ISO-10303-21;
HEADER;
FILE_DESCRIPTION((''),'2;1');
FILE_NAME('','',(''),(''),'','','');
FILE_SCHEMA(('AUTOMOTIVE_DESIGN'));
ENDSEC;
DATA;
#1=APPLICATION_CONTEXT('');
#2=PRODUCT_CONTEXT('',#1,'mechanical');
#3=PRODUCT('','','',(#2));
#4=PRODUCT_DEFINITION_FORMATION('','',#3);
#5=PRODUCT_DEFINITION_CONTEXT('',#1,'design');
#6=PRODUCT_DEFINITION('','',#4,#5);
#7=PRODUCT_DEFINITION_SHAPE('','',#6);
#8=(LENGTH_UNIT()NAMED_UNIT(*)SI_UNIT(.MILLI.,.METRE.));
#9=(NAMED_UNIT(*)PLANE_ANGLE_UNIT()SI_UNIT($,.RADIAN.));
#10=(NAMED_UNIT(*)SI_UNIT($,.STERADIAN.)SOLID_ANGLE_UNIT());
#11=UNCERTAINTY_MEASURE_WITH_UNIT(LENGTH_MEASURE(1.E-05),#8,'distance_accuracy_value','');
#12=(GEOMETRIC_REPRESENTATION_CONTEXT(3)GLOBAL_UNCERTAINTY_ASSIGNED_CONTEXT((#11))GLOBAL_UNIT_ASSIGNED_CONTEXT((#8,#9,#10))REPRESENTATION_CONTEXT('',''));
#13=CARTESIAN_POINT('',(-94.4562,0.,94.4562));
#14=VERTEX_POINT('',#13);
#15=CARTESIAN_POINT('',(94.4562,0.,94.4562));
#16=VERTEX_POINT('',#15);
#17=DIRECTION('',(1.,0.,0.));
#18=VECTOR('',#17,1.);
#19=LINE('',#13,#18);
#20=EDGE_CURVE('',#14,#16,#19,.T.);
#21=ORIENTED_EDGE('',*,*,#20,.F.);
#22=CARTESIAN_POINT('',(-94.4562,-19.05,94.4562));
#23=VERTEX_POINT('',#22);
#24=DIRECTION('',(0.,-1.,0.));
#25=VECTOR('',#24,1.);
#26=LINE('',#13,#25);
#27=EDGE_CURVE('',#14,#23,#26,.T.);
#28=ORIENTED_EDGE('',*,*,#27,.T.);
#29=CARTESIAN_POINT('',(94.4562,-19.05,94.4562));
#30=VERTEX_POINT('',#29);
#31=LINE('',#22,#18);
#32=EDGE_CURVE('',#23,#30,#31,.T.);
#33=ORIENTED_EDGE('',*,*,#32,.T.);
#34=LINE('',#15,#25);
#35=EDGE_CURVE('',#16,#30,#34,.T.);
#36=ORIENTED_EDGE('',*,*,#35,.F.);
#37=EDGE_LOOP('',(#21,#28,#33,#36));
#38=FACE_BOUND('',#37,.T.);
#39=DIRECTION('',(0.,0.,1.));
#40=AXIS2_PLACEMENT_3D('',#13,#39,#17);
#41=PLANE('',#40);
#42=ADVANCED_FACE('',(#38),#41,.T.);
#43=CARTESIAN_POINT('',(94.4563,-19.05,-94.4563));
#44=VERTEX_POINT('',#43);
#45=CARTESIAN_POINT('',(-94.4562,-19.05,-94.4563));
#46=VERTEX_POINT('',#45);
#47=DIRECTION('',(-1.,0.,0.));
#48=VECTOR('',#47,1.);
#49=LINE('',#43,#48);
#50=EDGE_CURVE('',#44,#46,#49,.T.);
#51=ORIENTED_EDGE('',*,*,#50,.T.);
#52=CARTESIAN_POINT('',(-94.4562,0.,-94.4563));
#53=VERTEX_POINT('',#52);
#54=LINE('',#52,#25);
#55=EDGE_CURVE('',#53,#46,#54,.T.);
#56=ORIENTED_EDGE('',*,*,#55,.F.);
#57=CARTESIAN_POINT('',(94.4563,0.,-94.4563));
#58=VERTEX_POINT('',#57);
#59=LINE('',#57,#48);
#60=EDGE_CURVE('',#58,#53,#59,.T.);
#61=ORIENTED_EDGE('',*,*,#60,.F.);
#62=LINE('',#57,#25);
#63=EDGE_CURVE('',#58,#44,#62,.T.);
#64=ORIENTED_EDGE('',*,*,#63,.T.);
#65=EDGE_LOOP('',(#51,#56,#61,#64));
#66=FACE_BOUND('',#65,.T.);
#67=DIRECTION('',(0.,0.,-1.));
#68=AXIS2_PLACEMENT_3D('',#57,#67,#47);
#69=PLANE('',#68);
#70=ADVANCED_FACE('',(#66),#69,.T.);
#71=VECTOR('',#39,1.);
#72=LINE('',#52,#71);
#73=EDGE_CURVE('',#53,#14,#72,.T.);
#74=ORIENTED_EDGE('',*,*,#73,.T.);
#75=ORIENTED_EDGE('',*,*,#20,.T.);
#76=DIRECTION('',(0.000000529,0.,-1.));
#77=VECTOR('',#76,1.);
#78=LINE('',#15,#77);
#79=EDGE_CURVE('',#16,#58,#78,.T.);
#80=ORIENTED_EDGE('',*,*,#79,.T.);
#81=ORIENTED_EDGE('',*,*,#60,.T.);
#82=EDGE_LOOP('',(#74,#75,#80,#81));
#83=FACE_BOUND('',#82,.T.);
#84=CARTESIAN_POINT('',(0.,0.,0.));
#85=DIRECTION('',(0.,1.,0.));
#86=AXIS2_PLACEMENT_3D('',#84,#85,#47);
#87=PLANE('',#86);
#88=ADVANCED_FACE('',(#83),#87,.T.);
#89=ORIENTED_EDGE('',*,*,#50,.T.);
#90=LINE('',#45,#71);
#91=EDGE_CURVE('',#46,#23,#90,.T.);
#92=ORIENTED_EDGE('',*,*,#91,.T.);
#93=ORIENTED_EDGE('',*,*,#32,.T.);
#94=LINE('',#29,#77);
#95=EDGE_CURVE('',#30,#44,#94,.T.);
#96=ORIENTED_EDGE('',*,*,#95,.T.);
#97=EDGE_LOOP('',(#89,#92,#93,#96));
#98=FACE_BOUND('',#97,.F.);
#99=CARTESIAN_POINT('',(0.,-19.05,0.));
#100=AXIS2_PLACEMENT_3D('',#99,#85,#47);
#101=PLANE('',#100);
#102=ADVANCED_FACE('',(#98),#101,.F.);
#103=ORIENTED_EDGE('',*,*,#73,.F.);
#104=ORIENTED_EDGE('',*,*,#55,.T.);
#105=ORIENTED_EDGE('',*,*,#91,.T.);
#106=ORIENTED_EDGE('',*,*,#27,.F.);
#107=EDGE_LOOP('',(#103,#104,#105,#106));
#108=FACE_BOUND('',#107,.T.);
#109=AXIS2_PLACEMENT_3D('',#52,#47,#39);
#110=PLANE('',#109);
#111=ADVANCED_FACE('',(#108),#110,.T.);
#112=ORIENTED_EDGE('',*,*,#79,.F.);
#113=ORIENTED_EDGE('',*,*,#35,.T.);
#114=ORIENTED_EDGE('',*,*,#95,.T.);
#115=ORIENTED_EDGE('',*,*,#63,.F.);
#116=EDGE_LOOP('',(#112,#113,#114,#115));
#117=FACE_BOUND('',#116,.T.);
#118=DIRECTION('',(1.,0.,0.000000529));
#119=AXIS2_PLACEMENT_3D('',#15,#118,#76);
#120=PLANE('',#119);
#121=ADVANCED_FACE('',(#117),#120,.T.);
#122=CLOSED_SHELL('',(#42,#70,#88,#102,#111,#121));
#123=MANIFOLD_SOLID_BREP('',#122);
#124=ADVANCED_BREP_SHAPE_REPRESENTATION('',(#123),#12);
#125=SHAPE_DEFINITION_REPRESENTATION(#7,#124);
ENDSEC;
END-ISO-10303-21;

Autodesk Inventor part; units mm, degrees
ref_plane "YZ Plane" through (0, 0, 0) normal (1, 0, 0) x (0, 1, 0)
ref_plane "XZ Plane" through (0, 0, 0) normal (0, 1, 0) x (-1, 0, 0)
ref_plane "XY Plane" through (0, 0, 0) normal (0, 0, 1) x (1, 0, 0)
sketch "Sketch1" plane through (0, 0, 0) normal (0, 1, 0) x (-1, 0, 0)
  line L0 (-94.4563, -94.4563) -> (94.4562, -94.4563)
  line L1 (94.4562, -94.4563) -> (94.4562, 94.4562)
  line L2 (94.4562, 94.4562) -> (-94.4562, 94.4562)
  line L3 (-94.4562, 94.4562) -> (-94.4563, -94.4563)
  line L4 (-94.4563, -94.4563) -> (94.4562, 94.4562) construction
  line L5 (94.4562, -94.4563) -> (-94.4562, 94.4562) construction
  point P0 (0, 0)
  dimension "d0" = 188.9125
  dimension "d1" = 188.9125
extrude "Extrusion1" add sketch "Sketch1" against normal blind 19.05
properties material "Wood (Maple)"
